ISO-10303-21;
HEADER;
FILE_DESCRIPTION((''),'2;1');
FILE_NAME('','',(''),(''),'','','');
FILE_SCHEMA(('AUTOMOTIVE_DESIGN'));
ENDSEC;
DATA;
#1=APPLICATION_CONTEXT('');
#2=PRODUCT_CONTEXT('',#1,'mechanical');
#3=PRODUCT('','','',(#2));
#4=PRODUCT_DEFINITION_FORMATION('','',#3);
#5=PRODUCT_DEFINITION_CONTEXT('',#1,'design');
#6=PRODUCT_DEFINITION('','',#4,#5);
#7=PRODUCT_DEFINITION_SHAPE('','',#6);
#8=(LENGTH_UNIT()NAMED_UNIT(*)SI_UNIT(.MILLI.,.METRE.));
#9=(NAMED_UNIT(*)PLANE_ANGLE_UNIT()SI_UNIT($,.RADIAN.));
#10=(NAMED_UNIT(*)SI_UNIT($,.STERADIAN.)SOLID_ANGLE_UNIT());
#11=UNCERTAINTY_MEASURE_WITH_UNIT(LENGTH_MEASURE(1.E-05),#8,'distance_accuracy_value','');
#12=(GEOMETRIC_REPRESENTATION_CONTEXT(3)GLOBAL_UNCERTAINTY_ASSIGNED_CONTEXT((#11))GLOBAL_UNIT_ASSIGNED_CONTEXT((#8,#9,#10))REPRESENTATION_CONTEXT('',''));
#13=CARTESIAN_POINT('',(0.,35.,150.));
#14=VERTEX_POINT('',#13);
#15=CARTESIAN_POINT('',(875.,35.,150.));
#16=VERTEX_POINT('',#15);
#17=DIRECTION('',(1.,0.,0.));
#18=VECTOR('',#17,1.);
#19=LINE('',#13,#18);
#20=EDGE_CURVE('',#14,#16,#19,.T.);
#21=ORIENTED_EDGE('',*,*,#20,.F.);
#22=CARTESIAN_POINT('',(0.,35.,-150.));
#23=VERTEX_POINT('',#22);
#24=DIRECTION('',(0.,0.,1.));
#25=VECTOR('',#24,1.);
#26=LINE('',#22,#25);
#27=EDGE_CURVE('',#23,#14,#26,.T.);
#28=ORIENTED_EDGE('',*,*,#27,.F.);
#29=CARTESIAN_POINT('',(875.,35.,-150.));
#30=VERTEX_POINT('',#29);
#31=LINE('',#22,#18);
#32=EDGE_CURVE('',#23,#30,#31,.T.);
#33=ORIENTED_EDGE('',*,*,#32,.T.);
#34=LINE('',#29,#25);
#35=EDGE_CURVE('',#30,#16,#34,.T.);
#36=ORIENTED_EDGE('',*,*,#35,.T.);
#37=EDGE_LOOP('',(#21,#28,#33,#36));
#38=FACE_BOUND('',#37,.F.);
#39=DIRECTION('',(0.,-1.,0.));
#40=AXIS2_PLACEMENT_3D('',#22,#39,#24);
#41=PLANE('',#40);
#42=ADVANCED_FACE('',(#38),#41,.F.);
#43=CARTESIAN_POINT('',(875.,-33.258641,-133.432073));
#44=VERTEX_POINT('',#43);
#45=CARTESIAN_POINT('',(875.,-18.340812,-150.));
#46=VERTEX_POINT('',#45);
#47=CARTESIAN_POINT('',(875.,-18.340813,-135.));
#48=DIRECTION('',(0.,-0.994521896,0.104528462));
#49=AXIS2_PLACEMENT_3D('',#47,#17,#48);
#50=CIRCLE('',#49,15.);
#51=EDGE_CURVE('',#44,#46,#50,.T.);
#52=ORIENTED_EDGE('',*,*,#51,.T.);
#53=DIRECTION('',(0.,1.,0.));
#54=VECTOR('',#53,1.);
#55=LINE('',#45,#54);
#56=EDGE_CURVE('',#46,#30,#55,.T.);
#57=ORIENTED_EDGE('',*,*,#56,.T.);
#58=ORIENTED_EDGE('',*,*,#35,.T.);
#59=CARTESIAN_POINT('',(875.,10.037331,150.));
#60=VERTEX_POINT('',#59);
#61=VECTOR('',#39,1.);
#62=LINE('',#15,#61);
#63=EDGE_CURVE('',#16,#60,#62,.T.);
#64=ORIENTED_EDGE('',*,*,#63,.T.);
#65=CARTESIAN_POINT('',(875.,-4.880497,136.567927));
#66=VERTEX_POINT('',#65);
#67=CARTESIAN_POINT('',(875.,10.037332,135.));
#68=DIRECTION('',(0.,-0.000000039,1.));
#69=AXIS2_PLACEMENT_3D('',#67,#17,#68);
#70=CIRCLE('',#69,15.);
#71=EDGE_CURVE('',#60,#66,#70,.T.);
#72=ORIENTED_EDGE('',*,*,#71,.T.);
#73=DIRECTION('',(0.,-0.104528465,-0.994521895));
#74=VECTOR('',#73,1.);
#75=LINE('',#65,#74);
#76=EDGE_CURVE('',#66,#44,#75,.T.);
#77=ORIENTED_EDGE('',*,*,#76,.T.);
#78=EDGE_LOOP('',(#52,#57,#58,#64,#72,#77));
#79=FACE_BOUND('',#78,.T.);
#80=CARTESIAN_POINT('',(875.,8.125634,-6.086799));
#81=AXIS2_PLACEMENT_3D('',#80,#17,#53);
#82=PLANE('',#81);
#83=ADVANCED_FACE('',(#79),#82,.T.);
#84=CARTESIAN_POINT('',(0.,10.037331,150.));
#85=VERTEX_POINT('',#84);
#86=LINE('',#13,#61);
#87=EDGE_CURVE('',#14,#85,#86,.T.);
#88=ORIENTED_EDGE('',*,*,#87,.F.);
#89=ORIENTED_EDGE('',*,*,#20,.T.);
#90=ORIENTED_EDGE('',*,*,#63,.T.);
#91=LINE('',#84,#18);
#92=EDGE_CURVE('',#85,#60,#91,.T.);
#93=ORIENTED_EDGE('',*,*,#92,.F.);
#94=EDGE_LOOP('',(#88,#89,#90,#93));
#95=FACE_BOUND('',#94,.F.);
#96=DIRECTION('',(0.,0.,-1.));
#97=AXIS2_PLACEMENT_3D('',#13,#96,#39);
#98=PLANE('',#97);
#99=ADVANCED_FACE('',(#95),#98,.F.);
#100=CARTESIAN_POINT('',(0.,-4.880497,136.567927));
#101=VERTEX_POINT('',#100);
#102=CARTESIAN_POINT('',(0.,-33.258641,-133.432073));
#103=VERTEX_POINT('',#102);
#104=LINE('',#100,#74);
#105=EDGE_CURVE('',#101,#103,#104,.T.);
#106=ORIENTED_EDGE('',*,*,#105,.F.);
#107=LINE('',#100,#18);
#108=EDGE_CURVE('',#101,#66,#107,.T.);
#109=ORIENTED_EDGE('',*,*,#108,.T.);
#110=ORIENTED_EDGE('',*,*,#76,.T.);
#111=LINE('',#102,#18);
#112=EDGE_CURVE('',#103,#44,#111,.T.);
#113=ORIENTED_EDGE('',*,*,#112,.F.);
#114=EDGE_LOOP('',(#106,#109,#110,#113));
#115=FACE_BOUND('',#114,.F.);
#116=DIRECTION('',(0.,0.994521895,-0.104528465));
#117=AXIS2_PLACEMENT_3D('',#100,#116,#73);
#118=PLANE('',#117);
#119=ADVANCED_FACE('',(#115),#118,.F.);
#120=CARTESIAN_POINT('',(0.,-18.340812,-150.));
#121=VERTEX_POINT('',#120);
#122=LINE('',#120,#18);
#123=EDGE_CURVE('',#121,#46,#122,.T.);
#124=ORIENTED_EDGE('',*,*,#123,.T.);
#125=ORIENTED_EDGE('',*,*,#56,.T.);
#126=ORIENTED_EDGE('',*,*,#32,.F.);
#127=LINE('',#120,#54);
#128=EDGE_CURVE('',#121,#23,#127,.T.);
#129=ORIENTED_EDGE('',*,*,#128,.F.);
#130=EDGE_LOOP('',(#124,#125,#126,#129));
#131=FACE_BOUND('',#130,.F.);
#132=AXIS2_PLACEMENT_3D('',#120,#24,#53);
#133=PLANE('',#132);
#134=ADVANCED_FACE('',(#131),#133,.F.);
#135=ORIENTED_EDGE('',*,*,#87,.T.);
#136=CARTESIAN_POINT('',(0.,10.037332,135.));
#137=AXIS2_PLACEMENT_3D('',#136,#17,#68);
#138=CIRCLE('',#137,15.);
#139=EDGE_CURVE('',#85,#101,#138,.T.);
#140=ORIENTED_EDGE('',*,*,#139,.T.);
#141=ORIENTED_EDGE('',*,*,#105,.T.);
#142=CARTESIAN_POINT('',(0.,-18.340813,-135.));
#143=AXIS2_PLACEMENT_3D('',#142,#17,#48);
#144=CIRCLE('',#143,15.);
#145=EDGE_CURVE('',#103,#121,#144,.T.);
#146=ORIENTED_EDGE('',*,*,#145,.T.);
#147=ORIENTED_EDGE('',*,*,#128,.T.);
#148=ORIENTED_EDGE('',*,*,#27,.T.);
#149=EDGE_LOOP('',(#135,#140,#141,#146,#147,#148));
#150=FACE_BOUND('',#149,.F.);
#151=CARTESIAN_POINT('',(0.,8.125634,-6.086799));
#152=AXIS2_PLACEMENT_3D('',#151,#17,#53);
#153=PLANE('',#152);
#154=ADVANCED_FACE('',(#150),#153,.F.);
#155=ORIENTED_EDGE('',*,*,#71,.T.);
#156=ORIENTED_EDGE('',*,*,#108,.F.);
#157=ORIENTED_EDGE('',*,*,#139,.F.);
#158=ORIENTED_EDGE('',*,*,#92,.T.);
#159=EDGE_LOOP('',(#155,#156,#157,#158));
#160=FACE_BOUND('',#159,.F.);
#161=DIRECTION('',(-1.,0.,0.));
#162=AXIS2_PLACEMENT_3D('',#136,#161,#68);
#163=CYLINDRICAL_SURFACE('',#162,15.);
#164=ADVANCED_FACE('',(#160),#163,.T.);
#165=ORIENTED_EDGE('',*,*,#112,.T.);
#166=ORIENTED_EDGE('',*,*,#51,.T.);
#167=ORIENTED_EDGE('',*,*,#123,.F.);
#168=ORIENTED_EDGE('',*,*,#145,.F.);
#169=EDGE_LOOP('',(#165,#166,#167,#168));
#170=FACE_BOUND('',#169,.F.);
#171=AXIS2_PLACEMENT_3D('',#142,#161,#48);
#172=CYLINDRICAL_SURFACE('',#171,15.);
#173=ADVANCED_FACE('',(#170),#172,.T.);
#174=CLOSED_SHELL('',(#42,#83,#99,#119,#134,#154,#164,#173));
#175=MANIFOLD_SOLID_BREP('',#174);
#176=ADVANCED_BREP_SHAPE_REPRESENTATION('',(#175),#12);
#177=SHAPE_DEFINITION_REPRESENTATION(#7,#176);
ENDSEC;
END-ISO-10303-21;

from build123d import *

# Parameters (mm, degrees)
F1_DEPTH = 875


with BuildPart() as f1:
    # F0 (on Right) → F1 (new body)
    with BuildSketch(Plane.YZ):
        with BuildLine():
            Line((35, 150), (10.037331, 150))
            ThreePointArc((10.037331, 150), (0.000372, 146.147172), (-4.880497, 136.567927))
            Line((-4.880497, 136.567927), (-33.258641, -133.432073))
            ThreePointArc((-33.258641, -133.432073), (-29.487985, -145.036959), (-18.340812, -150))
            Line((-18.340812, -150), (35, -150))
            Line((35, -150), (35, 150))
        make_face()
    extrude(amount=F1_DEPTH)


solid = f1.part
